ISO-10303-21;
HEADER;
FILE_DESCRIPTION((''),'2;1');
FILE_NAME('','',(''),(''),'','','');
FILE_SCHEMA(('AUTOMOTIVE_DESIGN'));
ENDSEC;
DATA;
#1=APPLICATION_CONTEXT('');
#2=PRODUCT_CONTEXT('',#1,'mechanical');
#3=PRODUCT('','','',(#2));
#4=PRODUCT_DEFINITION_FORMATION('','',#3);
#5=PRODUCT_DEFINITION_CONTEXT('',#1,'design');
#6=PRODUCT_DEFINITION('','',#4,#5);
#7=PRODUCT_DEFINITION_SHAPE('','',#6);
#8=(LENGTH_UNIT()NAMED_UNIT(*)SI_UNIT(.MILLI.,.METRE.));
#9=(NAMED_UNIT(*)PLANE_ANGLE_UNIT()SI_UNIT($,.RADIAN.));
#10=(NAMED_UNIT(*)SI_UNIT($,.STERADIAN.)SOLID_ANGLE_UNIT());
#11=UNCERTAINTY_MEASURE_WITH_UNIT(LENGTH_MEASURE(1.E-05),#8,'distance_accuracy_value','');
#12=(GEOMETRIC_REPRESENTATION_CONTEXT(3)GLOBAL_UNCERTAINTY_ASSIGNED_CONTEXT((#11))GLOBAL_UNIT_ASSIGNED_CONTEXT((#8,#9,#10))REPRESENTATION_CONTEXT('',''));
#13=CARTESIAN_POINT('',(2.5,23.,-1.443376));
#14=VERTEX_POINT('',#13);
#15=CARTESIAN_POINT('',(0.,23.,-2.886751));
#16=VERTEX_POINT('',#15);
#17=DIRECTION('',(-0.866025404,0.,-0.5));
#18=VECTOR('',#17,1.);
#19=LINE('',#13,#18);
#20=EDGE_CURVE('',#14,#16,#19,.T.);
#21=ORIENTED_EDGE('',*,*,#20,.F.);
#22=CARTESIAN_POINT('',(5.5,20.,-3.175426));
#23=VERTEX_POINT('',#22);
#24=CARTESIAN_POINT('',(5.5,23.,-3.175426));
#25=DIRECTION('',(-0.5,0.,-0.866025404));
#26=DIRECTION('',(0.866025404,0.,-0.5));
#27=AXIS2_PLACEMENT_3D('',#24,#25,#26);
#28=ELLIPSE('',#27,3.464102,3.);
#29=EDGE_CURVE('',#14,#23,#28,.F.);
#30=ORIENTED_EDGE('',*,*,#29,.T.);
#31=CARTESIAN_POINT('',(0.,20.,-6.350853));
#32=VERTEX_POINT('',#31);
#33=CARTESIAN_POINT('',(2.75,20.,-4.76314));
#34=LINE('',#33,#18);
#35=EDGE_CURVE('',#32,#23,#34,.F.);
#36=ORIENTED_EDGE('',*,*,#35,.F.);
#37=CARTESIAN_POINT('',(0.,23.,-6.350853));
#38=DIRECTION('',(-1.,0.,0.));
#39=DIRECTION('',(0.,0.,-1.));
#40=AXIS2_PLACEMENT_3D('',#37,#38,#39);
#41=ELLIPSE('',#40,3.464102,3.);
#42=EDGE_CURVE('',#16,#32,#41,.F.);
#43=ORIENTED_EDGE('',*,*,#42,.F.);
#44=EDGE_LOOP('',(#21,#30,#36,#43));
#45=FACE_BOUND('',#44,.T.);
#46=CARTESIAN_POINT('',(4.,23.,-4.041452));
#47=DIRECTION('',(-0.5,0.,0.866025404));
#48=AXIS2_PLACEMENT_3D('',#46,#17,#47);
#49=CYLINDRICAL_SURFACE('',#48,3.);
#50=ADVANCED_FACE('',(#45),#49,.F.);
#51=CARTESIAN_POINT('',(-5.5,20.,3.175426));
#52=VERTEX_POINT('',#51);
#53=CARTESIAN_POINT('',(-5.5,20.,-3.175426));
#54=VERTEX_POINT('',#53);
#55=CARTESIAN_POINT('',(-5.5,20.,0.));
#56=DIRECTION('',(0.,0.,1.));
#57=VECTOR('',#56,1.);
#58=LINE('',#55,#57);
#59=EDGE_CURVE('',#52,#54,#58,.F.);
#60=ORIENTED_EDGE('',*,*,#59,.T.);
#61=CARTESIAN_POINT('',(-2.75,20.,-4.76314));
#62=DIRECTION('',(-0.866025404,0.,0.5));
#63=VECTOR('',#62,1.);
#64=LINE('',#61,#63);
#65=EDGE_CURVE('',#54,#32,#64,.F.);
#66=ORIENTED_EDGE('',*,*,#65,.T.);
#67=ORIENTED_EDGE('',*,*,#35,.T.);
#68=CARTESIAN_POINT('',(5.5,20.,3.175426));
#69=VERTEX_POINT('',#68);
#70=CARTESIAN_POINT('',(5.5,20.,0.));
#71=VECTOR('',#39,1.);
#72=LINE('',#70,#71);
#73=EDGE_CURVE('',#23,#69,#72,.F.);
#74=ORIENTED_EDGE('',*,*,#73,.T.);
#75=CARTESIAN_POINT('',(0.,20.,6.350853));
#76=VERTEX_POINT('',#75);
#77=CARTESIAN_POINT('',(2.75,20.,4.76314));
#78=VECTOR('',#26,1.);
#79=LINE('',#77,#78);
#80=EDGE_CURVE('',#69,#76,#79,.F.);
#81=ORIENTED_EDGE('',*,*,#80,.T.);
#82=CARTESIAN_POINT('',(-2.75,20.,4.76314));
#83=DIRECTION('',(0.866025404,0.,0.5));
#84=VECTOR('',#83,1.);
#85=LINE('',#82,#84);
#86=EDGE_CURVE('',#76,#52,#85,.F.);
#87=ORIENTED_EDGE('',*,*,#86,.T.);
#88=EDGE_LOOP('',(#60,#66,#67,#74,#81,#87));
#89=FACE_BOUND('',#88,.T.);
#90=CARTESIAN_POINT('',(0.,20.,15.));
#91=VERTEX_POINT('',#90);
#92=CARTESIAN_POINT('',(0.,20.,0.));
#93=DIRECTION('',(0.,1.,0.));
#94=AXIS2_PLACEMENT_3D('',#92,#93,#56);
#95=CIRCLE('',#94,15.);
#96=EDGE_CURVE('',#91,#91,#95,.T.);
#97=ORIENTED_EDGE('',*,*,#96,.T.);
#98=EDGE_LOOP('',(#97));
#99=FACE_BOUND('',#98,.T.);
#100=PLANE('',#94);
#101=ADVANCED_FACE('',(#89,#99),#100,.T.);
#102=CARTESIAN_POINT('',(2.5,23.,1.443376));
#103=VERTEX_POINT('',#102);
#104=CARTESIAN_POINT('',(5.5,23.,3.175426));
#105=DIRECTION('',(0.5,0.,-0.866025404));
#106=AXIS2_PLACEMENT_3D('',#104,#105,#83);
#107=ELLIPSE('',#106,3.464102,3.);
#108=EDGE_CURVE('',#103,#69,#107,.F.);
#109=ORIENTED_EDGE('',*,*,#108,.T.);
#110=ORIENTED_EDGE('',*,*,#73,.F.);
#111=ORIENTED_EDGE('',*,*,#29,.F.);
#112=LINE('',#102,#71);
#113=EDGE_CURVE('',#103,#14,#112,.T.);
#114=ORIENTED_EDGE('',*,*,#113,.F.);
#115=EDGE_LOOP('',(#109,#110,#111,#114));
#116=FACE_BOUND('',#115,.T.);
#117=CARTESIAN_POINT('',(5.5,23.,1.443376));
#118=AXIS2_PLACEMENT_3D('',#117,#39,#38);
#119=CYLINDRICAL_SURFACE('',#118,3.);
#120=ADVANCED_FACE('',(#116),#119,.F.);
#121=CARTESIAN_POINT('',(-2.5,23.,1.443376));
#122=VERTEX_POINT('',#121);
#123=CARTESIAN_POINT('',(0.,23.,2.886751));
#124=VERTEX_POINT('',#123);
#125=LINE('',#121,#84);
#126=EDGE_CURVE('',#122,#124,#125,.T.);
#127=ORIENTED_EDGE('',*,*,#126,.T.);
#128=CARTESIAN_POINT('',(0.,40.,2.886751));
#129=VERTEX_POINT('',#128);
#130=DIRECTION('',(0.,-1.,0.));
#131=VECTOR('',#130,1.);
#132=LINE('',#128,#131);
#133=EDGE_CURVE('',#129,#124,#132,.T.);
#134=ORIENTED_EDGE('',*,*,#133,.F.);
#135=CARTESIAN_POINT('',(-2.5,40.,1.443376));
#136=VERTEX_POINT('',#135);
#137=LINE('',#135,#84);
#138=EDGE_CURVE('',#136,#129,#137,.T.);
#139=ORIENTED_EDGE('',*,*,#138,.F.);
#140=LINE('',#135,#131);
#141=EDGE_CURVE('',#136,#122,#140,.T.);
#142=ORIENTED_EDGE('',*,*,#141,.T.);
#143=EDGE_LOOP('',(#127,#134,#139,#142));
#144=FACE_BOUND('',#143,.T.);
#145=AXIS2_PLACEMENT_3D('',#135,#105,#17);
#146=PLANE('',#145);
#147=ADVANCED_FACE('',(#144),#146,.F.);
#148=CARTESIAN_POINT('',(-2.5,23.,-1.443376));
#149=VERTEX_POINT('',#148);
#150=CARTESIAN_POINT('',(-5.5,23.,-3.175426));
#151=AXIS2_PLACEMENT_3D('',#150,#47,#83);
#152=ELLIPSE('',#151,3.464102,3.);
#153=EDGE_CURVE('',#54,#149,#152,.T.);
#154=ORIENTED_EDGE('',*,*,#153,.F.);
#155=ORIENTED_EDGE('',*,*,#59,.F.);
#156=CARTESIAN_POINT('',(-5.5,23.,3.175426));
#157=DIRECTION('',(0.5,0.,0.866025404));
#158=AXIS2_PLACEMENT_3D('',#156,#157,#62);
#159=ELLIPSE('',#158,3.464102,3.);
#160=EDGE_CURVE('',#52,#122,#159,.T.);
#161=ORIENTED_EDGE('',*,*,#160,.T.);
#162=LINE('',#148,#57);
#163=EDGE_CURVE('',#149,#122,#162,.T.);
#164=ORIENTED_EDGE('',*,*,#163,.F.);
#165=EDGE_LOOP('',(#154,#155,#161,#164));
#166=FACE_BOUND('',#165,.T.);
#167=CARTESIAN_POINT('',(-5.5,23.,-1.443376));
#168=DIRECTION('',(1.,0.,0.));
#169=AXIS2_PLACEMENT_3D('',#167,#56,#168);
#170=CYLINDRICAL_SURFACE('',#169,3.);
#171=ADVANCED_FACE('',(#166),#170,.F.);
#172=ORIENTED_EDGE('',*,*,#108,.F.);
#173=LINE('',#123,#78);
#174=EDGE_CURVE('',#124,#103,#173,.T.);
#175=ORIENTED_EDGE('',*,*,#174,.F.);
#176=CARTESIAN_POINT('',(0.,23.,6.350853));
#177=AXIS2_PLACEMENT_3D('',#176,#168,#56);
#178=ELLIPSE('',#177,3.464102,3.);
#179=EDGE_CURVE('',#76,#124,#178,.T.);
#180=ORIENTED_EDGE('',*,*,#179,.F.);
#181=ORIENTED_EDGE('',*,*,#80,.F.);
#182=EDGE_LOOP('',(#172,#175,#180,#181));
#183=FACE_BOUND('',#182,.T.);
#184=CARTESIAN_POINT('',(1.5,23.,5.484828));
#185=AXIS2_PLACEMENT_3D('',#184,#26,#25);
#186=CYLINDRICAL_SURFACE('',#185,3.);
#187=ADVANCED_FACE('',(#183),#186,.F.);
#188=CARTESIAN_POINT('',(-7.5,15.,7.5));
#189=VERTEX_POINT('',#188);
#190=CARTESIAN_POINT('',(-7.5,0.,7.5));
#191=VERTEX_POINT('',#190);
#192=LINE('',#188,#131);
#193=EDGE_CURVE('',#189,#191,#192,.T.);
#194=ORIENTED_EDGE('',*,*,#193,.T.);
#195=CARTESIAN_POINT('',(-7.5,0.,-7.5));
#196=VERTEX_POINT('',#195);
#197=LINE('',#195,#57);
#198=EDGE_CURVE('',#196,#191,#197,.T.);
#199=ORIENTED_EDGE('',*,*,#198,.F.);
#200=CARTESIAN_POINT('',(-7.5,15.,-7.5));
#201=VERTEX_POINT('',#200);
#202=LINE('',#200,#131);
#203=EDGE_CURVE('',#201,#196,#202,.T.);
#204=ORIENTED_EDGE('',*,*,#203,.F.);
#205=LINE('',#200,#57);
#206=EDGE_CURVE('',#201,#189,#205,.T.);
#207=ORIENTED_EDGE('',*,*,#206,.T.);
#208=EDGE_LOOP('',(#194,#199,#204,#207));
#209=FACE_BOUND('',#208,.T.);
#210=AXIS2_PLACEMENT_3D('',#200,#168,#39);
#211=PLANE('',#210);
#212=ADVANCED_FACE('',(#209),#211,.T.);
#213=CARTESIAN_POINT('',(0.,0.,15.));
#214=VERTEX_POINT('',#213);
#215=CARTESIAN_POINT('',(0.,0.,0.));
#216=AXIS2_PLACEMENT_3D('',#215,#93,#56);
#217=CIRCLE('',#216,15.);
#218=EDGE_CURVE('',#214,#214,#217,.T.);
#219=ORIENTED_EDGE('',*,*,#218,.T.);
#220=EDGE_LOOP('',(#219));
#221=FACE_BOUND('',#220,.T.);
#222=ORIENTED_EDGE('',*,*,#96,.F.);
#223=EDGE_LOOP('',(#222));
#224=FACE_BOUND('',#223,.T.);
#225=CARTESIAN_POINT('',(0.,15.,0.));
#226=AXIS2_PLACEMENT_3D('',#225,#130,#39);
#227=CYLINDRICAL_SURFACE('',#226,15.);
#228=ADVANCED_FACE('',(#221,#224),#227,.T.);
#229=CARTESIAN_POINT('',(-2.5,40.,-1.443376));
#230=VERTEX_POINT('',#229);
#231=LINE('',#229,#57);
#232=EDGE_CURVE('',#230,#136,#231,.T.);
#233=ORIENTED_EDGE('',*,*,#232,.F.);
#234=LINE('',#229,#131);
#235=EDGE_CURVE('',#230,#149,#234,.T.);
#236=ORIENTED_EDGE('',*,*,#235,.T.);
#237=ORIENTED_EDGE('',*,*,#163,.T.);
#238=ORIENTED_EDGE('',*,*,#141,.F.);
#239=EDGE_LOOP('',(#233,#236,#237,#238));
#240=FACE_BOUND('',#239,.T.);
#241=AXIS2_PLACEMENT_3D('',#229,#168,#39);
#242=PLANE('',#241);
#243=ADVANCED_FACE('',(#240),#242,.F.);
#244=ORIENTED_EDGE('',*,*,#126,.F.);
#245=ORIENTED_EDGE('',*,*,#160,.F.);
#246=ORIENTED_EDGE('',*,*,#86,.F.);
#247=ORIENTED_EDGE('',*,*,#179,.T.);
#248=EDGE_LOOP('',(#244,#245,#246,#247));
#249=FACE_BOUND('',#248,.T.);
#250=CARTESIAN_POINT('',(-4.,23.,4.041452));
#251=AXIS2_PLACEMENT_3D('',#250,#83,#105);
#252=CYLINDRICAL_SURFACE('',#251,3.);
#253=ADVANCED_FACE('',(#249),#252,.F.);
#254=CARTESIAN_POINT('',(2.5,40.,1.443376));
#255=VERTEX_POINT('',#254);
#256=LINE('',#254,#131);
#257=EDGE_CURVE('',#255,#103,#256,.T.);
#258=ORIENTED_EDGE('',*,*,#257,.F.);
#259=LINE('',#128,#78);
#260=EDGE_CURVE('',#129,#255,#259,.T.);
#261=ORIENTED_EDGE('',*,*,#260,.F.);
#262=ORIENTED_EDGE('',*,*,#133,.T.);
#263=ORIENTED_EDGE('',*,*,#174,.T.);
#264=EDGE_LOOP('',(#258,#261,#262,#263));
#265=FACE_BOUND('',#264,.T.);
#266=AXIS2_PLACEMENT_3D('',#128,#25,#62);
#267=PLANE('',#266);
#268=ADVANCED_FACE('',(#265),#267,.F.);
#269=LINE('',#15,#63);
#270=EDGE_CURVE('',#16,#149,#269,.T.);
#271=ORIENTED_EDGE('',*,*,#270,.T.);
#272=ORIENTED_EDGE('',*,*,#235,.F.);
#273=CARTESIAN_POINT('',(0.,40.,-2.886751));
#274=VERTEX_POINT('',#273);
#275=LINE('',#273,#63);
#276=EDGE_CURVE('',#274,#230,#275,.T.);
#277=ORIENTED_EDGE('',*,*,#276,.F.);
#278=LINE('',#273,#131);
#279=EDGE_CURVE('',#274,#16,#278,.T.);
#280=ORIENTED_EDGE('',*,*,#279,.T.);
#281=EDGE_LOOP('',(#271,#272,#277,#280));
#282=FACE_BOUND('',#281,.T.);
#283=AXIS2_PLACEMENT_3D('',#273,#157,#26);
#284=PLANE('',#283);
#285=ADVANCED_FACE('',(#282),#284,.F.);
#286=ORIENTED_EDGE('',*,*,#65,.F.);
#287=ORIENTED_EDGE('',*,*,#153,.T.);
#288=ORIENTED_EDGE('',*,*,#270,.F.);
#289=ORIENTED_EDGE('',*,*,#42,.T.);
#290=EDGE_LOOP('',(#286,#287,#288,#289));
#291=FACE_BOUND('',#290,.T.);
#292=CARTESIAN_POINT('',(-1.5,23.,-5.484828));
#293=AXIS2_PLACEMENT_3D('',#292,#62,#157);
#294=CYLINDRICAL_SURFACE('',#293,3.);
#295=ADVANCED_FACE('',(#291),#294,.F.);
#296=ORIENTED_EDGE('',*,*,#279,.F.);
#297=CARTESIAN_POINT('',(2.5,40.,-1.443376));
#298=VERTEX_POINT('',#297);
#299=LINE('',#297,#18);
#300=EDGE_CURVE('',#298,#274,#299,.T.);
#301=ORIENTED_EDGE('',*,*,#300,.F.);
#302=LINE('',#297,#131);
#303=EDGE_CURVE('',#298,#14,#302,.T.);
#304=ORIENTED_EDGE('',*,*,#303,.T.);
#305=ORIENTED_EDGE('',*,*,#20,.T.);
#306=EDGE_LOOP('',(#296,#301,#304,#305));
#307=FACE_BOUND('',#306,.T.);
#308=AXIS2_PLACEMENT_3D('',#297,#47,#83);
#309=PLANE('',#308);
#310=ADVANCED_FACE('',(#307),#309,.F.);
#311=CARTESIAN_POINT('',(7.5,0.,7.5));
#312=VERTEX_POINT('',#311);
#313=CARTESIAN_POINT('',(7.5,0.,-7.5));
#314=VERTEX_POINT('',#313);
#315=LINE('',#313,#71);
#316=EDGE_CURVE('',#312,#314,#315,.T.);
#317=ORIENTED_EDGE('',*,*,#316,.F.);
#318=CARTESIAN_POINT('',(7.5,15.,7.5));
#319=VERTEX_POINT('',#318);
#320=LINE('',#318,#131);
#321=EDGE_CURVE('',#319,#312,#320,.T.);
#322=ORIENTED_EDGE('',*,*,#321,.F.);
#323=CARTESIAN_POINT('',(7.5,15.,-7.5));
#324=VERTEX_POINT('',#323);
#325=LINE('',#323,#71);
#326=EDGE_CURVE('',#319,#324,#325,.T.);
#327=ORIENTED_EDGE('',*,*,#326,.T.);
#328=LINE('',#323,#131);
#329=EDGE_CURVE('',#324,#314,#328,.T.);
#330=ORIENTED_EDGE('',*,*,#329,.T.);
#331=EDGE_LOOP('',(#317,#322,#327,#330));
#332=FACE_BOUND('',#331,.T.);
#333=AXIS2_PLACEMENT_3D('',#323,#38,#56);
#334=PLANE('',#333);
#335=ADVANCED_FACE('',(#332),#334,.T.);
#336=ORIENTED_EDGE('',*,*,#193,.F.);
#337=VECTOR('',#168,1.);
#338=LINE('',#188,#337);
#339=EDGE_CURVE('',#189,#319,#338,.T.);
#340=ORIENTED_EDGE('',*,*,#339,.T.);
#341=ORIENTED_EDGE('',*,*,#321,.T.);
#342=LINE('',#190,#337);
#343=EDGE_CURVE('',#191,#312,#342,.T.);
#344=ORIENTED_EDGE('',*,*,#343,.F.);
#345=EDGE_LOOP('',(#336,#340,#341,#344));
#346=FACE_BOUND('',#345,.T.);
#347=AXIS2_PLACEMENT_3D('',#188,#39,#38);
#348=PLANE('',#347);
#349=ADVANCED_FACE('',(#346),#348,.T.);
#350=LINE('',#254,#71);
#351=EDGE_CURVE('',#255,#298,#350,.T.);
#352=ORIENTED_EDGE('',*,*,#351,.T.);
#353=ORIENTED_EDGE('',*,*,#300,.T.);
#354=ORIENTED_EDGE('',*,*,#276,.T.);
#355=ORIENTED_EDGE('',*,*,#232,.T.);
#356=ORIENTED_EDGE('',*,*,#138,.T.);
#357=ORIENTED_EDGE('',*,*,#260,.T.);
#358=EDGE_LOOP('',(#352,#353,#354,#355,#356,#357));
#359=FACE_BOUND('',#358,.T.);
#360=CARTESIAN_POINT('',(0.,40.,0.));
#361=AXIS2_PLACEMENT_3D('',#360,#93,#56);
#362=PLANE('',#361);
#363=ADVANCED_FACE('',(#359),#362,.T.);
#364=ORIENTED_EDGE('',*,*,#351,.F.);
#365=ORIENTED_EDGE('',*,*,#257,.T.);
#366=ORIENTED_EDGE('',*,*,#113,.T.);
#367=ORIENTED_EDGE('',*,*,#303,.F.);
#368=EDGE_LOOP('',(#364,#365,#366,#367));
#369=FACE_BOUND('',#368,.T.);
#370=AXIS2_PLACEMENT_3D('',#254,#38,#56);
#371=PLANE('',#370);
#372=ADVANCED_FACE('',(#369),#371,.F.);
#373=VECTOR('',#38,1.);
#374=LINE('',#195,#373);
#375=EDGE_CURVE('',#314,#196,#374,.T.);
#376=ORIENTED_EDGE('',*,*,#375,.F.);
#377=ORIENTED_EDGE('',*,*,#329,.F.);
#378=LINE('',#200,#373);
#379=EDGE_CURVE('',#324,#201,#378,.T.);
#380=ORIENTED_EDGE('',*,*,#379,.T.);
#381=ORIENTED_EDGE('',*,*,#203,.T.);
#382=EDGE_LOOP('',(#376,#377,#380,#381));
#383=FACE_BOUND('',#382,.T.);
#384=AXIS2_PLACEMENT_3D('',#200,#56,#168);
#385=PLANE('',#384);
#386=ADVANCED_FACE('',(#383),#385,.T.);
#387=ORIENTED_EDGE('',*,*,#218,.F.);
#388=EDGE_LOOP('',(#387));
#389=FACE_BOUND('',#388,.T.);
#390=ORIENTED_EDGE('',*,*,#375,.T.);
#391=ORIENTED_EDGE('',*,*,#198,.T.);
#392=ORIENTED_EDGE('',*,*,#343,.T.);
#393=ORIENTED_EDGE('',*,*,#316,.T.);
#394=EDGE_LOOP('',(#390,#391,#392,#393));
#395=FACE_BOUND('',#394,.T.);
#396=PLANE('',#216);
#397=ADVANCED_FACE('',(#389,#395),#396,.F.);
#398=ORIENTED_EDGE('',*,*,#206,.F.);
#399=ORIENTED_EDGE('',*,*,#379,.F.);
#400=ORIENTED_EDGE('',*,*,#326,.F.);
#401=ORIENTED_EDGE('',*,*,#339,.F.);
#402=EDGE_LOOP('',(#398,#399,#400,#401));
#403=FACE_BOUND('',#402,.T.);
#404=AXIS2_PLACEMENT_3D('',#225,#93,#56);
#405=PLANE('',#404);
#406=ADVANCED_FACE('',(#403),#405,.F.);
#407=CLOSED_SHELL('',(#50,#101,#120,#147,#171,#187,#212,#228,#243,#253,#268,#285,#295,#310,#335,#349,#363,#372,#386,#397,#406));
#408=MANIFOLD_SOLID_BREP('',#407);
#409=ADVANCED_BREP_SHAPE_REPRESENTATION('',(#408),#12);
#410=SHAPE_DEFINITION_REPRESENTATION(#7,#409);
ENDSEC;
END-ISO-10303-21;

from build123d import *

# Parameters (mm, degrees)
SKETCH1_R           = 15
SKETCH1_W           = 15
SKETCH1_H           = 15
BOSS_EXTRUDE1_DEPTH = 15
SKETCH2_R           = 15
BOSS_EXTRUDE2_DEPTH = 5
BOSS_EXTRUDE3_DEPTH = 20
FILLET1_R           = 3


with BuildPart() as part:
    # Sketch1 → Boss-Extrude1 (new body)
    with BuildSketch(Plane(origin=(0, 0, 0), x_dir=(1, 0, 0), z_dir=(0, 1, 0))):
        with Locations(Location((0, 0, 0), (0, 0, 270))):
            Circle(SKETCH1_R)
        Rectangle(SKETCH1_W, SKETCH1_H, mode=Mode.SUBTRACT)
    extrude(amount=BOSS_EXTRUDE1_DEPTH)

    # Sketch2 → Boss-Extrude2 (add)
    with BuildSketch(Plane(origin=(0, 15, 0), x_dir=(1, 0, 0), z_dir=(0, 1, 0))):
        with Locations(Location((0, 0, 0), (0, 0, 270))):
            Circle(SKETCH2_R)
    extrude(amount=BOSS_EXTRUDE2_DEPTH)

    # Sketch3 → Boss-Extrude3 (add)
    with BuildSketch(Plane(origin=(0, 20, 0), x_dir=(1, 0, 0), z_dir=(0, 1, 0))):
        Polygon((2.5, -1.443375673), (2.5, 1.443375673), (0, 2.886751346), (-2.5, 1.443375673), (-2.5, -1.443375673), (0, -2.886751346), align=None)
    extrude(amount=BOSS_EXTRUDE3_DEPTH)

    # Fillet1
    fillet1_edges = [part.edges().sort_by_distance(p)[0] for p in [
        (2.5, 20, 0),
        (1.25, 20, -2.165063509),
        (-1.25, 20, -2.165063509),
        (-2.5, 20, 0),
        (-1.25, 20, 2.165063509),
        (1.25, 20, 2.165063509),
    ]]
    fillet(fillet1_edges, radius=FILLET1_R)


solid = part.part
